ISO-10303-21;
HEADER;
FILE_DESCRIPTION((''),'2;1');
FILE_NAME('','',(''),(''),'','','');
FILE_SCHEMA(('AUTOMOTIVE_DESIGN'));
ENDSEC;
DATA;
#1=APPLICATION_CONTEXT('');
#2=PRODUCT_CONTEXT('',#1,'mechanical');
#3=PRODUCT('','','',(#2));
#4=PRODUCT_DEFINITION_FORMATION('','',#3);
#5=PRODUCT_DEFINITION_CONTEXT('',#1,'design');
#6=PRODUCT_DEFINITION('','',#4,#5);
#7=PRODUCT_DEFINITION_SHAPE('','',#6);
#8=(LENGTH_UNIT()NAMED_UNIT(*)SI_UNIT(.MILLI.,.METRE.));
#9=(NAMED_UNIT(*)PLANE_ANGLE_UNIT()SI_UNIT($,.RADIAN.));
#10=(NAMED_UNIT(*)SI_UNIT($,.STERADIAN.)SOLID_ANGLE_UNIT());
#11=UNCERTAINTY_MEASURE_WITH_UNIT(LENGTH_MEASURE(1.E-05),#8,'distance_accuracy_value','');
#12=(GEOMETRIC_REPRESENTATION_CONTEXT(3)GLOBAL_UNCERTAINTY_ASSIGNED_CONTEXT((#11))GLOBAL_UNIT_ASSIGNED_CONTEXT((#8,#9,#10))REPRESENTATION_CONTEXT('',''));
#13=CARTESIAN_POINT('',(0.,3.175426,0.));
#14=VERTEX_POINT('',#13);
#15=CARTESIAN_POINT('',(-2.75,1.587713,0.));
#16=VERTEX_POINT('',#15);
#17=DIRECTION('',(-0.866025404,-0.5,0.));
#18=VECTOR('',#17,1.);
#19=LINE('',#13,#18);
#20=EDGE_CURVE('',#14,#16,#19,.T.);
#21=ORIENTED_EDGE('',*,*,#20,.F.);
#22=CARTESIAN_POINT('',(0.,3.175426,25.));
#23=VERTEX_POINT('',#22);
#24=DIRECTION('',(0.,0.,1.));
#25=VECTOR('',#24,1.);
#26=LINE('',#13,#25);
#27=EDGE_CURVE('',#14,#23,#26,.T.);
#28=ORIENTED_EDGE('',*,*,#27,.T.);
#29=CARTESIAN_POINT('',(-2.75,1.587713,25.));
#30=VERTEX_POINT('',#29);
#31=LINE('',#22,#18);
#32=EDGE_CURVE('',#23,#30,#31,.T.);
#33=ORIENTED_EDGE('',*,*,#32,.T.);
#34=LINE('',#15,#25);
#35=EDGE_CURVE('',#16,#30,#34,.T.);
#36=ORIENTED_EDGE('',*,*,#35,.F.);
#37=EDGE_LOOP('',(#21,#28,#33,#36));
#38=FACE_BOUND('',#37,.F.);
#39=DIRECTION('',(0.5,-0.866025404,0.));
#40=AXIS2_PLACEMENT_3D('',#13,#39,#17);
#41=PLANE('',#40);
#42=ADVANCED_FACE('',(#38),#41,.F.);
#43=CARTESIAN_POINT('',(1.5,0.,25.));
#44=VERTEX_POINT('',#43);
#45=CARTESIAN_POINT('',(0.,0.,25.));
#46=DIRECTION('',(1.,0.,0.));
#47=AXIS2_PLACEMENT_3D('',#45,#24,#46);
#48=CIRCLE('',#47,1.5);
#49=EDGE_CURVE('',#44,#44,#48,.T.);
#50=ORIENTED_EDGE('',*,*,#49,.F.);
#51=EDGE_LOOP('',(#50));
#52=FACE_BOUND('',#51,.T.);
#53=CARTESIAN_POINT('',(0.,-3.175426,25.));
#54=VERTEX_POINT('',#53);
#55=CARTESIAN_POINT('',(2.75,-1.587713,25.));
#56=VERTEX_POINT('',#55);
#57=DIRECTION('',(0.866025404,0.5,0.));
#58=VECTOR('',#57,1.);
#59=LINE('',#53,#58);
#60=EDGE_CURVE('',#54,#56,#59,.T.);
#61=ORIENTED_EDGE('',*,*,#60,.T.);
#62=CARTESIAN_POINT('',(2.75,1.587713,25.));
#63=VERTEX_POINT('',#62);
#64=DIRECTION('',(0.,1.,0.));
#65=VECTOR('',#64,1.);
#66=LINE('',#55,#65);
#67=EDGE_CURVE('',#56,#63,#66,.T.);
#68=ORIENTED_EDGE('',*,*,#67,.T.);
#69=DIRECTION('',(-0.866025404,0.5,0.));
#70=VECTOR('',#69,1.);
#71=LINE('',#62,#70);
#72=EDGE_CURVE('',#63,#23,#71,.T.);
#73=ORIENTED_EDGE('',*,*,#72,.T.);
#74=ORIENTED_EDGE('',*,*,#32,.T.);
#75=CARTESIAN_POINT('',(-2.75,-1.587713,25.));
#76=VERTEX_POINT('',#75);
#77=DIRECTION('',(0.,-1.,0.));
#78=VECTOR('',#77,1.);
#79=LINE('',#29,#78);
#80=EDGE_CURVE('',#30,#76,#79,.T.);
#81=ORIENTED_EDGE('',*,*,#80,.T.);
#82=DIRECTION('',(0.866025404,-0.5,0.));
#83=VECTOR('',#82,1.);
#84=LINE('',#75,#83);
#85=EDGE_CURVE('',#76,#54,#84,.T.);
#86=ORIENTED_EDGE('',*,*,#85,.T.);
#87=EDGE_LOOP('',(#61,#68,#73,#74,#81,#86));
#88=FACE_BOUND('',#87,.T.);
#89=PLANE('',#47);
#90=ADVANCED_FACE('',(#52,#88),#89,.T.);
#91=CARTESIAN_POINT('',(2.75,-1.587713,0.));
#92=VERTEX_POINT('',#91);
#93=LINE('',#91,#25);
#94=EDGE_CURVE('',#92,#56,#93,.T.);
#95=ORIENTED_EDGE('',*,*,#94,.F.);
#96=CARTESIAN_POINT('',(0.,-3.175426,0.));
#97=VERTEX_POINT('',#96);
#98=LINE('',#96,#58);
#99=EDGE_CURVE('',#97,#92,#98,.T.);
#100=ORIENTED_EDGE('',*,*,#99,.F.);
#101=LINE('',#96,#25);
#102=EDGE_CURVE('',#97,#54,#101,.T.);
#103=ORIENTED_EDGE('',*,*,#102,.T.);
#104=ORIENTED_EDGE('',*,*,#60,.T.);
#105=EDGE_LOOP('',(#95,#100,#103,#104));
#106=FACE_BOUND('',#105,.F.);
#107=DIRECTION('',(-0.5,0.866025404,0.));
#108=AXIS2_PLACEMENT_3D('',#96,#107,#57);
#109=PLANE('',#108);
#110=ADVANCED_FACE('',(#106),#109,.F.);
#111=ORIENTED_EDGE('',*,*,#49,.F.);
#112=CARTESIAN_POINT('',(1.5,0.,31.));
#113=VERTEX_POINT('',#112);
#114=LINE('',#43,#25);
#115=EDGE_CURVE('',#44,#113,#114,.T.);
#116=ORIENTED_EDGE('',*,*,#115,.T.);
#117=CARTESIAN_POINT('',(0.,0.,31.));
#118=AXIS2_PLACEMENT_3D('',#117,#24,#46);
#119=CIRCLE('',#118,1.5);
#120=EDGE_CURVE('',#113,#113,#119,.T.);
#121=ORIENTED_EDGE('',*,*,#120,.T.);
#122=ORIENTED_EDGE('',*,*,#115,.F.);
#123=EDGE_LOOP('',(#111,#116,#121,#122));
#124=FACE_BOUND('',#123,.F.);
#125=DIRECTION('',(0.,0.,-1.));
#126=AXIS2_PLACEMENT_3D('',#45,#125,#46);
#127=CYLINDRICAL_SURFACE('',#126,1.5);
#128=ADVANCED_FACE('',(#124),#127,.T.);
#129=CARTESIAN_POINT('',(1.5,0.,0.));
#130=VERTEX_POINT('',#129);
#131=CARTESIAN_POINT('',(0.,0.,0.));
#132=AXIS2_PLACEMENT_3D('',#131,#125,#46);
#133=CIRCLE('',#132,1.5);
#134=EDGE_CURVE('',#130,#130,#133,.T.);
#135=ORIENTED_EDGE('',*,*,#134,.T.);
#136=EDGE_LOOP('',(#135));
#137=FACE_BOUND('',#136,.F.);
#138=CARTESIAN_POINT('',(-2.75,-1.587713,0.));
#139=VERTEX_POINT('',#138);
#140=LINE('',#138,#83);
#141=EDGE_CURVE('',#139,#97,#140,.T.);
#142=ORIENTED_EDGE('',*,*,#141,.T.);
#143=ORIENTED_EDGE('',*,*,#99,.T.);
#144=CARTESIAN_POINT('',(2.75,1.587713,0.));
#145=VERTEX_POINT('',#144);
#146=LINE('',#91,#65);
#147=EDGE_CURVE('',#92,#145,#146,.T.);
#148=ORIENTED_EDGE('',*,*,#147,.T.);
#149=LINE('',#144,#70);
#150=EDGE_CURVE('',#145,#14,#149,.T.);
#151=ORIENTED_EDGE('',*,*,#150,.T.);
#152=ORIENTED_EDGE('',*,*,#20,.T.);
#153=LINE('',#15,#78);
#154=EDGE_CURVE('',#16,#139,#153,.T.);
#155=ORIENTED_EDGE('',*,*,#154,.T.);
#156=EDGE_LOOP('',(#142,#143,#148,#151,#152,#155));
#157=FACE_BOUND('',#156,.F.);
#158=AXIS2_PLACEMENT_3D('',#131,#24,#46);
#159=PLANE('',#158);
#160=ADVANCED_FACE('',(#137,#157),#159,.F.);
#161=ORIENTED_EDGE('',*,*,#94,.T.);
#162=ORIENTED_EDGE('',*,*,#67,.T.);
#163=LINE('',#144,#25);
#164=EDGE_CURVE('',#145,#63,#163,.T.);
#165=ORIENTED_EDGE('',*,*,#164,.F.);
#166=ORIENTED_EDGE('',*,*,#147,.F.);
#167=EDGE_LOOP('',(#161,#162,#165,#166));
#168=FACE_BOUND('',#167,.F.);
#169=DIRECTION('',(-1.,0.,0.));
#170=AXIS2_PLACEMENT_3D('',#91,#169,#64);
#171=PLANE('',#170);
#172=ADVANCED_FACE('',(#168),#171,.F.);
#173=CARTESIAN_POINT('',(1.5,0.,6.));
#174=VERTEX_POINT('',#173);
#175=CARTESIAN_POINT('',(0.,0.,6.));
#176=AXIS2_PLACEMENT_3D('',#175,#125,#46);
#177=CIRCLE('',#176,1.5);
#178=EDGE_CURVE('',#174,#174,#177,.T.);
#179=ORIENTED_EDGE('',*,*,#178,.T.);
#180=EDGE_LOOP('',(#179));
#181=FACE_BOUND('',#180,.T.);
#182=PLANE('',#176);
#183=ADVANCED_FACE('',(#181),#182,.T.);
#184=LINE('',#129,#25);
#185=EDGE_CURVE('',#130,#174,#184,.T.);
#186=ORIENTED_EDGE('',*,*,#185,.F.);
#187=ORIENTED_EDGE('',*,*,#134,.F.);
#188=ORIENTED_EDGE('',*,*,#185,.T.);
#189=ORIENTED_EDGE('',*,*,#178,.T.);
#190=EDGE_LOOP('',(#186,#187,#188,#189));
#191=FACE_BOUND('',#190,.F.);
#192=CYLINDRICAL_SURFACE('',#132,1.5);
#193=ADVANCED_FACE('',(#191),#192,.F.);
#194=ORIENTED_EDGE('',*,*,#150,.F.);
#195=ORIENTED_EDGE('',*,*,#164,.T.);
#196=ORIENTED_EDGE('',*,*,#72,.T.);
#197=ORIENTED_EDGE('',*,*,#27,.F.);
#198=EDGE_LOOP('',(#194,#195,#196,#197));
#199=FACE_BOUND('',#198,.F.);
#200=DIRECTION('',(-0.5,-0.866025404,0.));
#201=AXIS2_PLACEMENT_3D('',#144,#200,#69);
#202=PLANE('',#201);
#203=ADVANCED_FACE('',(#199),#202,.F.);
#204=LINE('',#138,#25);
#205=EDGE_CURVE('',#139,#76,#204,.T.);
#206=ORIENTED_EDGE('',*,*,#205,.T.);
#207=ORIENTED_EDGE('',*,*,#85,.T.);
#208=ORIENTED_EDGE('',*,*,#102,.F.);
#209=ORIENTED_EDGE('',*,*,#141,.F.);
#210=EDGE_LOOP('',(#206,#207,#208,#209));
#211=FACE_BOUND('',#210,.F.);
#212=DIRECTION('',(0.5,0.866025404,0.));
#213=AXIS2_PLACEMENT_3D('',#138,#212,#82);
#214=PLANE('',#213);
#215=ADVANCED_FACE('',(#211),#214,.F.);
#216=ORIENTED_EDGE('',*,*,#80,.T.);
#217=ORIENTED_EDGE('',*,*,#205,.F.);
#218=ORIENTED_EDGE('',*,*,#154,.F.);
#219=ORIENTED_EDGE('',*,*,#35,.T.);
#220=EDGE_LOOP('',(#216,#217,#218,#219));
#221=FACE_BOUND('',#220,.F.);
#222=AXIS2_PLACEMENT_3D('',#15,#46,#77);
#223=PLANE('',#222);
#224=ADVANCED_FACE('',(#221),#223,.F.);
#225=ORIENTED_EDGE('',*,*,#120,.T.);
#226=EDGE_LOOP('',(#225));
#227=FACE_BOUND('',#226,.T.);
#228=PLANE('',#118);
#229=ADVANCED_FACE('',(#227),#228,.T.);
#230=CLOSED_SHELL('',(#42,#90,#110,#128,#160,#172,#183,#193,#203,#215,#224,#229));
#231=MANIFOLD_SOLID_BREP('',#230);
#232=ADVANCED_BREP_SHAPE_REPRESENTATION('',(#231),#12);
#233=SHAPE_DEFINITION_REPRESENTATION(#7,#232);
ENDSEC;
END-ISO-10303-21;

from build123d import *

# Parameters (mm, degrees)
F1_DEPTH = 25
F2_R     = 1.5
F3_DEPTH = 6
F4_R     = 1.5
F5_DEPTH = 6


with BuildPart() as f1:
    # F0 (on Top) → F1 (new body)
    with BuildSketch(Plane.XY):
        Polygon((0, 3.1754264805), (-2.75, 1.5877132403), (-2.75, -1.5877132403), (0, -3.1754264805), (2.75, -1.5877132403), (2.75, 1.5877132403), align=None)
    extrude(amount=F1_DEPTH)

    # F2 (on face) → F3 (join)
    with BuildSketch(Plane.XY.offset(25)):
        Circle(F2_R)
    extrude(amount=F3_DEPTH)

    # F4 (on face) → F5 (cut)
    with BuildSketch(Plane(origin=(0, 0, 0), x_dir=(1, 0, 0), z_dir=(0, 0, -1))):
        Circle(F4_R)
    extrude(amount=-F5_DEPTH, mode=Mode.SUBTRACT)


solid = f1.part
